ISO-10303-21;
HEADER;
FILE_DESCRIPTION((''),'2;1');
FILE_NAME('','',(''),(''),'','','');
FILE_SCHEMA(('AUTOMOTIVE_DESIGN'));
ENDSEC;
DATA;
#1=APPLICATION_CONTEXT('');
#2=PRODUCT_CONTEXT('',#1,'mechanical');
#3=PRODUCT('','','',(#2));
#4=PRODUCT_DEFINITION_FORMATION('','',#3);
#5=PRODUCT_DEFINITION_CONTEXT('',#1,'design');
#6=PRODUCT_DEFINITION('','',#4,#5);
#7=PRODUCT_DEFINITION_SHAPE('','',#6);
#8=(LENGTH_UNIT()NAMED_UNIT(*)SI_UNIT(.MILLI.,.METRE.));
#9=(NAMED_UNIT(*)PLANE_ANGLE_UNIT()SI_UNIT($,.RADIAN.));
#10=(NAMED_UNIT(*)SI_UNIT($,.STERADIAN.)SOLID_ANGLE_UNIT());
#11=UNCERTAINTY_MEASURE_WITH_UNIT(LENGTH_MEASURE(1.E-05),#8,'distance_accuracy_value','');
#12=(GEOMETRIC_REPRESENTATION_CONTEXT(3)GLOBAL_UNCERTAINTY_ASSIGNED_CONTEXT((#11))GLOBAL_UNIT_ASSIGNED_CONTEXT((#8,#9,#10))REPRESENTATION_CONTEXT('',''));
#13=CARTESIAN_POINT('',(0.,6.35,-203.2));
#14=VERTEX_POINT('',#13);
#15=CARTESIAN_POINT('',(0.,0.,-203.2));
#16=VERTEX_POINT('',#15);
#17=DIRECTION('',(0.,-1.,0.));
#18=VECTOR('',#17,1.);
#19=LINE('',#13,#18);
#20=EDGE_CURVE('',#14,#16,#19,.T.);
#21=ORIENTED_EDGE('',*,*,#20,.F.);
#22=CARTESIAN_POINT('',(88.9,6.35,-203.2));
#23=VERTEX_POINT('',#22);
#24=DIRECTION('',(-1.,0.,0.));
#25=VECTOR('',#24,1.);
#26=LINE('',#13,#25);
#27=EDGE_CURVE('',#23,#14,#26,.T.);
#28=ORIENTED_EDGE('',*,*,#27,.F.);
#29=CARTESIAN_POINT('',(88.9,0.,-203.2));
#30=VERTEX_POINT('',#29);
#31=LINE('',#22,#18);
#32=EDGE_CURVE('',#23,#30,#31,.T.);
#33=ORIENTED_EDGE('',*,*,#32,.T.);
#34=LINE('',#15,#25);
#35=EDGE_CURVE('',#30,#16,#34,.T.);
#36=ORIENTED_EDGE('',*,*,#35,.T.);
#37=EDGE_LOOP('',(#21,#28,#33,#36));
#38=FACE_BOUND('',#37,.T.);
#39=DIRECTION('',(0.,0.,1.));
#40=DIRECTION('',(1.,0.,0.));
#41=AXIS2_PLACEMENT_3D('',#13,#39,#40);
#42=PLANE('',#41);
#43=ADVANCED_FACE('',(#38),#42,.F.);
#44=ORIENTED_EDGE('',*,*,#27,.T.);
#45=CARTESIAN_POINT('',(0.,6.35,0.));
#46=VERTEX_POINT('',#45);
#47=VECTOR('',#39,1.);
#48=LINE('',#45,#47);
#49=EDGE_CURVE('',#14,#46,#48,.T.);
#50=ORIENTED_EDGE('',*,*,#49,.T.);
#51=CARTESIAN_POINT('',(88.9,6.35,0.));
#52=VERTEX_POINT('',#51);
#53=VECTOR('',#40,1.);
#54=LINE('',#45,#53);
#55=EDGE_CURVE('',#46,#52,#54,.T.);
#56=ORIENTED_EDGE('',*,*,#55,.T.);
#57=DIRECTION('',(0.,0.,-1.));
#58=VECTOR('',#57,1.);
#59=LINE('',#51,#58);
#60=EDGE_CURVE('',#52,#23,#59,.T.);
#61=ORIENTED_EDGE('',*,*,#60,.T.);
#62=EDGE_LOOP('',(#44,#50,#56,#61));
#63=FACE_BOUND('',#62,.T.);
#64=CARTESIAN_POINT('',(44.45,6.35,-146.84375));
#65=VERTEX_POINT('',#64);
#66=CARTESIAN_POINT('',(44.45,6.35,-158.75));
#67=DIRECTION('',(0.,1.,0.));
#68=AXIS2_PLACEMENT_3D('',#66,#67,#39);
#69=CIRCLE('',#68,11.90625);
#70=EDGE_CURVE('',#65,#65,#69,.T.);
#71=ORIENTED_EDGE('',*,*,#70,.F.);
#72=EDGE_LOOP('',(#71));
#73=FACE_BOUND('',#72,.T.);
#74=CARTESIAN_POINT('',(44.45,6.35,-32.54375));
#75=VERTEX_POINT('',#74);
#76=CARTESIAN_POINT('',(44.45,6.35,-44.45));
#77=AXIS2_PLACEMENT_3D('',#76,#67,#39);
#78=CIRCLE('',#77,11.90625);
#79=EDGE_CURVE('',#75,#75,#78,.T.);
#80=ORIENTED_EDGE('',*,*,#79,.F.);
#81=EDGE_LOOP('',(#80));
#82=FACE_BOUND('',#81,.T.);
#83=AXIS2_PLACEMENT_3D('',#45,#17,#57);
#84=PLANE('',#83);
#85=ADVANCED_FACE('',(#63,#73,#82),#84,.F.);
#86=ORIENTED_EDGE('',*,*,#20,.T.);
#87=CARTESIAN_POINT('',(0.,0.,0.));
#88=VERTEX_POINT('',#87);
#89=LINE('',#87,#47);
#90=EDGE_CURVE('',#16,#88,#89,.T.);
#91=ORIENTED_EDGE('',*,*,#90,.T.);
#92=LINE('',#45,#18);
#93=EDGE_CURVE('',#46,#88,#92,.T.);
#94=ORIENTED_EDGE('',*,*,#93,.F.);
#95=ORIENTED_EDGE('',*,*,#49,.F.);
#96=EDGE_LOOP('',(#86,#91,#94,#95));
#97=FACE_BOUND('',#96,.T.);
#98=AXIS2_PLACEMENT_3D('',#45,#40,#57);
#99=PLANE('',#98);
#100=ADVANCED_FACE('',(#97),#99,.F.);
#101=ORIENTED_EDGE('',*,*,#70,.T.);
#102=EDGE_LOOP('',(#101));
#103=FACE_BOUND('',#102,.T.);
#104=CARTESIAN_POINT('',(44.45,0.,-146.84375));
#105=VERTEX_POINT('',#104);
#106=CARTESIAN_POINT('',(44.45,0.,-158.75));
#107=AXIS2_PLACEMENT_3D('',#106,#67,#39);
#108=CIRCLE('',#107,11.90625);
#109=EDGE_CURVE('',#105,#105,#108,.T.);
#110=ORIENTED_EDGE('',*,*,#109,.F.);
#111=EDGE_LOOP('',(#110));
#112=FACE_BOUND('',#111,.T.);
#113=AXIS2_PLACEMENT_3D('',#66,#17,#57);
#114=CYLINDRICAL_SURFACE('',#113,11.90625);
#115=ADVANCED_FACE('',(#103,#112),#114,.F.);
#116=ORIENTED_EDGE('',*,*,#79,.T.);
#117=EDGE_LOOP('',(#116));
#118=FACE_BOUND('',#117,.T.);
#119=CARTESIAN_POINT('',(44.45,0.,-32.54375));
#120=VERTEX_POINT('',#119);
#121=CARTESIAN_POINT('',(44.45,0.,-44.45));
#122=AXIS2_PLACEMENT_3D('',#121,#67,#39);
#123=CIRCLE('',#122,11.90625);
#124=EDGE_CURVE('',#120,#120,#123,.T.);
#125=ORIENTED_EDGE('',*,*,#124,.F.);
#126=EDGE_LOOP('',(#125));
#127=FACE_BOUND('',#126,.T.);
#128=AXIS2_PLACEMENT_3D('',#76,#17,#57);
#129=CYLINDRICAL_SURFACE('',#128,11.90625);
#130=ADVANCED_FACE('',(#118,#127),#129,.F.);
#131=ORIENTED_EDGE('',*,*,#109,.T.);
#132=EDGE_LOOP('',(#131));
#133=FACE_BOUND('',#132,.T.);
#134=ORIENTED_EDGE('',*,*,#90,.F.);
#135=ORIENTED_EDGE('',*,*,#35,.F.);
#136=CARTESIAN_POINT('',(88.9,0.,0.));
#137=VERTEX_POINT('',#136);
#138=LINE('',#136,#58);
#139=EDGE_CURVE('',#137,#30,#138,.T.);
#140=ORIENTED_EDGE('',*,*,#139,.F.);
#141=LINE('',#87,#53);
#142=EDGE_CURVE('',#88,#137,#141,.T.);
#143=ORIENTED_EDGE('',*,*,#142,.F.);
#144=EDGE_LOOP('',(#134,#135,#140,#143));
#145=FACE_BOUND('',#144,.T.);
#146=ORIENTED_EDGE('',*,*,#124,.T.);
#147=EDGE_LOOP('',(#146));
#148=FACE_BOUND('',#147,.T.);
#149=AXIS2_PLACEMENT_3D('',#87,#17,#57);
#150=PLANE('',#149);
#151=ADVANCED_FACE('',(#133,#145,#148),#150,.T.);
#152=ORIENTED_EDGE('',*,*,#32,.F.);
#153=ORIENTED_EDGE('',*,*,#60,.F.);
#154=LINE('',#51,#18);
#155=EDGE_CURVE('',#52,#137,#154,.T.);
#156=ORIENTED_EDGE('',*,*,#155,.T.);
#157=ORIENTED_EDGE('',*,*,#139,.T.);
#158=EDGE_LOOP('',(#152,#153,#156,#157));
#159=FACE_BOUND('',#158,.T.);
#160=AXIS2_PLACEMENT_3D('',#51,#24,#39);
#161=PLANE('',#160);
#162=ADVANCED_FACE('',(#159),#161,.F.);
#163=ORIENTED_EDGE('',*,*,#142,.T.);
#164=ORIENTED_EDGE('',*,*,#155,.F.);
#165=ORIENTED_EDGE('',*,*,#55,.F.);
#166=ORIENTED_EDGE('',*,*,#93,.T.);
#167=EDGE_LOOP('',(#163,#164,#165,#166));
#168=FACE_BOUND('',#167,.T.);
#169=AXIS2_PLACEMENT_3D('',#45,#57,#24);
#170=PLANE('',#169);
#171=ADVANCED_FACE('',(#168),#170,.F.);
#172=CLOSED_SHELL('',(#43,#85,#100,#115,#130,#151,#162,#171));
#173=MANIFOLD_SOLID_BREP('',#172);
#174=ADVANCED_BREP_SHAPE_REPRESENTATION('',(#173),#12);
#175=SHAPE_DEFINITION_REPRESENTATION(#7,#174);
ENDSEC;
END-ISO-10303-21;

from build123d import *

# Parameters (mm, degrees)
SKETCH1_W           = 88.9
SKETCH1_H           = 203.2
SKETCH1_R           = 11.90625
BOSS_EXTRUDE1_DEPTH = 6.35


with BuildPart() as part:
    # Sketch1 → Boss-Extrude1 (new body)
    with BuildSketch(Plane(origin=(0, 0, 0), x_dir=(1, 0, 0), z_dir=(0, 1, 0))):
        with Locations((44.45, 101.6)):
            Rectangle(SKETCH1_W, SKETCH1_H)
        with Locations((44.45, 158.75)):
            Circle(SKETCH1_R, mode=Mode.SUBTRACT)
        with Locations((44.45, 44.45)):
            Circle(SKETCH1_R, mode=Mode.SUBTRACT)
    extrude(amount=BOSS_EXTRUDE1_DEPTH)


solid = part.part
